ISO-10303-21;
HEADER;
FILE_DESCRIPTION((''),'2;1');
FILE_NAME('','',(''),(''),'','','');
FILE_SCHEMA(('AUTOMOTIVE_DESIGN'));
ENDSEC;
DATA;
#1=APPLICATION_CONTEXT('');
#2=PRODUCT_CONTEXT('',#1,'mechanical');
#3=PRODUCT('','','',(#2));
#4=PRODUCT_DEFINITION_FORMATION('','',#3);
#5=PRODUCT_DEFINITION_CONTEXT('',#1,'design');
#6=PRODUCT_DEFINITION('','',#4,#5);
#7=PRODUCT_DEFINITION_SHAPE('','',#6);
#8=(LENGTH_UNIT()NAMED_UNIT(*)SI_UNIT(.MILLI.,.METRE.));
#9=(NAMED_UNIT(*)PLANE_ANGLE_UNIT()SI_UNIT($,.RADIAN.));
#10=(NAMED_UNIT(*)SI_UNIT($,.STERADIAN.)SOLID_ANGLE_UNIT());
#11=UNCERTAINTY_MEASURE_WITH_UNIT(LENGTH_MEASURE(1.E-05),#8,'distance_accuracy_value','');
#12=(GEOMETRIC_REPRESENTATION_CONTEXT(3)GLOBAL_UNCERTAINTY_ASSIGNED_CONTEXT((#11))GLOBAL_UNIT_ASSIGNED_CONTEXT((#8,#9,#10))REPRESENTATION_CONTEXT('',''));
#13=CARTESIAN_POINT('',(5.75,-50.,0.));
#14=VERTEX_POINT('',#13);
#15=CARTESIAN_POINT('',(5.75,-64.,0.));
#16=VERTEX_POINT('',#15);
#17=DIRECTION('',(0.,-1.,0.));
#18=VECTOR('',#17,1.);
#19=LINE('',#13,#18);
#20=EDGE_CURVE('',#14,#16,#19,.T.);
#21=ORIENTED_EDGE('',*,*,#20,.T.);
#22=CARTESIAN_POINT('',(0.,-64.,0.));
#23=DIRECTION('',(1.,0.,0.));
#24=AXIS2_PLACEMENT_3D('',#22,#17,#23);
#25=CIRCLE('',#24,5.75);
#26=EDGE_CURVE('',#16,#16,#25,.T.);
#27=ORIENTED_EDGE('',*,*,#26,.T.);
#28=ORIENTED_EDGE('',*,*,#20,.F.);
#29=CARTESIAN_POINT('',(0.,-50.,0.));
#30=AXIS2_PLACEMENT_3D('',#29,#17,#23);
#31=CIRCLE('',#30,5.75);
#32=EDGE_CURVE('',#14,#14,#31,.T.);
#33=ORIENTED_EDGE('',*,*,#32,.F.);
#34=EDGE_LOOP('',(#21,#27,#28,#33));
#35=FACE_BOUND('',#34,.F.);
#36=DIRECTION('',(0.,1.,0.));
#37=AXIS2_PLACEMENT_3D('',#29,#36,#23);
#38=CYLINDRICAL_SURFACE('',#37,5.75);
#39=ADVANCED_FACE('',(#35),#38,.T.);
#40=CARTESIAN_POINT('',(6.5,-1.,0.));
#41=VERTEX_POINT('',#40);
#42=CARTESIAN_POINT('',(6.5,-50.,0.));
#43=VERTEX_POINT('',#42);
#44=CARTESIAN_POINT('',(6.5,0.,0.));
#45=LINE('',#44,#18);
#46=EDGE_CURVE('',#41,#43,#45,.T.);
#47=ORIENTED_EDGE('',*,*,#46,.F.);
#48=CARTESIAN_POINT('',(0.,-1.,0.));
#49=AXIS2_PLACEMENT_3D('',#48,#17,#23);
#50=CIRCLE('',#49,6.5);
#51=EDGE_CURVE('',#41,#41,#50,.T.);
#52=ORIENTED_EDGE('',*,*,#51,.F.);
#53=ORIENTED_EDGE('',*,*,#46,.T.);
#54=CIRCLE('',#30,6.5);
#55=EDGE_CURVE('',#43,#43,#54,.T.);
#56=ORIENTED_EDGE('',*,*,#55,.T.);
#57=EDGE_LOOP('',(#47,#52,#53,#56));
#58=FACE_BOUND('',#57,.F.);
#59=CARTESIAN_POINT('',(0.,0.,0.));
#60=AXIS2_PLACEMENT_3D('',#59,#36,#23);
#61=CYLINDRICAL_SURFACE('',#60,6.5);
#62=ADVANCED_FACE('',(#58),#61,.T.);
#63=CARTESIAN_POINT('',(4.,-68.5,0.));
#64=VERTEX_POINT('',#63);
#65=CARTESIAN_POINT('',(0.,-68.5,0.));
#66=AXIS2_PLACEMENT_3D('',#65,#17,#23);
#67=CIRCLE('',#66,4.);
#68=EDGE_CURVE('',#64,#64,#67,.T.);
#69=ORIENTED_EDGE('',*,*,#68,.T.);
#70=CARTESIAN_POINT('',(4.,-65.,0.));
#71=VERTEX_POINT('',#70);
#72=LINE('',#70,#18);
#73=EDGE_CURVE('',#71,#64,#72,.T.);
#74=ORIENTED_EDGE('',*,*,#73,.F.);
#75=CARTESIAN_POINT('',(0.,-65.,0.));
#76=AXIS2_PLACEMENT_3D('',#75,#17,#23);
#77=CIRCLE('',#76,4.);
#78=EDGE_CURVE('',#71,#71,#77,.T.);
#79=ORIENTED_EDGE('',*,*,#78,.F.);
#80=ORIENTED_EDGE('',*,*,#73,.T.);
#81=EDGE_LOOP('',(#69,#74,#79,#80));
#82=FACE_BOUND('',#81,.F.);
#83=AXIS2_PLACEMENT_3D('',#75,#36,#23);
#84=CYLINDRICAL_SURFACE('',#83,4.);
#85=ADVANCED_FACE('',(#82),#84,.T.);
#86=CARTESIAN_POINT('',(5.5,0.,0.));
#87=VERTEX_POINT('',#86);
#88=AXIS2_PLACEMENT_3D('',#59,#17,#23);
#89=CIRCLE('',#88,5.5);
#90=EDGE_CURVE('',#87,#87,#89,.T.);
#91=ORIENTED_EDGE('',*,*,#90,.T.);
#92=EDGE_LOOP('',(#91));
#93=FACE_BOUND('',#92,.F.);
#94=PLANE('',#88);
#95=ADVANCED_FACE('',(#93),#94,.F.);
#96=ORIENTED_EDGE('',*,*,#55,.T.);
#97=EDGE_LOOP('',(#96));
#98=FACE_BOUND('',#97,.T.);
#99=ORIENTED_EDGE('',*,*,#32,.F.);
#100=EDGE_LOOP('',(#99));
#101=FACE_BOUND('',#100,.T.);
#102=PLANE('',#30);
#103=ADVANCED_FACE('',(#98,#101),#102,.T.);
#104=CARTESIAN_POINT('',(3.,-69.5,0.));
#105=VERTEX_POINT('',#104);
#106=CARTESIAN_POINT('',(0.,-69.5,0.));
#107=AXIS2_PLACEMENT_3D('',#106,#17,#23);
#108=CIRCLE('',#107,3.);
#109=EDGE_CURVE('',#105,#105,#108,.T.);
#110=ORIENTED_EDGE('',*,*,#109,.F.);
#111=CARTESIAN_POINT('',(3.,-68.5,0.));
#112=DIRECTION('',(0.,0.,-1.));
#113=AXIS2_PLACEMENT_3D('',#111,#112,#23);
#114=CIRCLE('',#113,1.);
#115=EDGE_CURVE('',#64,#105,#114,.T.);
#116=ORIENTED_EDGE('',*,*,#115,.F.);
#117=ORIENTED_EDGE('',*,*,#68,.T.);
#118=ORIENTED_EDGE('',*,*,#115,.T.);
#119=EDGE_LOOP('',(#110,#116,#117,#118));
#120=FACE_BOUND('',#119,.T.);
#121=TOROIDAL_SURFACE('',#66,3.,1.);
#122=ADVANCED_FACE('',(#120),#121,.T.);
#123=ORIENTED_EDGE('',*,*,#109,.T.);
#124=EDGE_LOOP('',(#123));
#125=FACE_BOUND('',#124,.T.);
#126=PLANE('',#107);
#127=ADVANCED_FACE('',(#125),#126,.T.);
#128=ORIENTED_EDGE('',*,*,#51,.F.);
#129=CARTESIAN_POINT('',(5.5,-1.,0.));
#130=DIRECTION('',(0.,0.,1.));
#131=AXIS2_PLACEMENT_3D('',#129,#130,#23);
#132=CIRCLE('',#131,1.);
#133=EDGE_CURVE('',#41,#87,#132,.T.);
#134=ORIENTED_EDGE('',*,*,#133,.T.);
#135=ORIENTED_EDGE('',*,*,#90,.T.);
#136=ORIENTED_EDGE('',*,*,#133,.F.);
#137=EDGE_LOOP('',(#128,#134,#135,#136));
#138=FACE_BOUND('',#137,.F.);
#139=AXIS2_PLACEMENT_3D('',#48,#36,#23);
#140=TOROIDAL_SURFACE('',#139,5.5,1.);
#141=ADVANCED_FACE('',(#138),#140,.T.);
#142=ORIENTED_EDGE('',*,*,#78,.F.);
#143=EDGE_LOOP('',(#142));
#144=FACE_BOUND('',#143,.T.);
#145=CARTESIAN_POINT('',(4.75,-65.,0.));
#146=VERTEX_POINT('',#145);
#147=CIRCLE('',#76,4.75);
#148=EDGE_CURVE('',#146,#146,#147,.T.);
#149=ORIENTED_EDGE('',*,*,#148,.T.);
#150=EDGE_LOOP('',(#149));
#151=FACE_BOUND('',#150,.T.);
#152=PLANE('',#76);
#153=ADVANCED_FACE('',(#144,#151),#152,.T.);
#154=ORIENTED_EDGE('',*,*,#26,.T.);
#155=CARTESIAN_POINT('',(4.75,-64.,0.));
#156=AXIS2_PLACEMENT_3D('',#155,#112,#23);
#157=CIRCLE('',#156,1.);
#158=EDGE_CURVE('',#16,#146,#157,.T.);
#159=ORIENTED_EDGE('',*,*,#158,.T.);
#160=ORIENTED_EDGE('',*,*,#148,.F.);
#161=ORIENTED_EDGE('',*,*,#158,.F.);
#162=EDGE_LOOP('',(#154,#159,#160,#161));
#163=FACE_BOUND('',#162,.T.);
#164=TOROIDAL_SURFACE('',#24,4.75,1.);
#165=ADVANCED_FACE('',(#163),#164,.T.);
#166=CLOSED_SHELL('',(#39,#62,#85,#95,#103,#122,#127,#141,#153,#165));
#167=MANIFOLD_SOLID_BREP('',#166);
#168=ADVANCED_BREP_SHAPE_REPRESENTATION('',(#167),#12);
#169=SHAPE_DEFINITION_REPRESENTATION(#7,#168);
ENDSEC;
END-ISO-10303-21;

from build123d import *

# Parameters (mm, degrees)
F0_R     = 6.5
F1_DEPTH = 50
F2_R     = 5.75
F3_DEPTH = 15
F4_R     = 4
F5_DEPTH = 4.5
F6_R     = 1


with BuildPart() as f1:
    # F0 (on Front) → F1 (new body)
    with BuildSketch(Plane.XZ):
        Circle(F0_R)
    extrude(amount=F1_DEPTH)

    # F2 (on face) → F3 (join)
    with BuildSketch(Plane.XZ.offset(50)):
        Circle(F2_R)
    extrude(amount=F3_DEPTH)

    # F4 (on face) → F5 (join)
    with BuildSketch(Plane.XZ.offset(65)):
        Circle(F4_R)
    extrude(amount=F5_DEPTH)

    # F6
    f6_edges = [f1.edges().sort_by_distance(p)[0] for p in [
        (-4, -69.5, 0),
        (-5.75, -65, 0),
        (-6.5, 0, 0),
    ]]
    fillet(f6_edges, radius=F6_R)


solid = f1.part
